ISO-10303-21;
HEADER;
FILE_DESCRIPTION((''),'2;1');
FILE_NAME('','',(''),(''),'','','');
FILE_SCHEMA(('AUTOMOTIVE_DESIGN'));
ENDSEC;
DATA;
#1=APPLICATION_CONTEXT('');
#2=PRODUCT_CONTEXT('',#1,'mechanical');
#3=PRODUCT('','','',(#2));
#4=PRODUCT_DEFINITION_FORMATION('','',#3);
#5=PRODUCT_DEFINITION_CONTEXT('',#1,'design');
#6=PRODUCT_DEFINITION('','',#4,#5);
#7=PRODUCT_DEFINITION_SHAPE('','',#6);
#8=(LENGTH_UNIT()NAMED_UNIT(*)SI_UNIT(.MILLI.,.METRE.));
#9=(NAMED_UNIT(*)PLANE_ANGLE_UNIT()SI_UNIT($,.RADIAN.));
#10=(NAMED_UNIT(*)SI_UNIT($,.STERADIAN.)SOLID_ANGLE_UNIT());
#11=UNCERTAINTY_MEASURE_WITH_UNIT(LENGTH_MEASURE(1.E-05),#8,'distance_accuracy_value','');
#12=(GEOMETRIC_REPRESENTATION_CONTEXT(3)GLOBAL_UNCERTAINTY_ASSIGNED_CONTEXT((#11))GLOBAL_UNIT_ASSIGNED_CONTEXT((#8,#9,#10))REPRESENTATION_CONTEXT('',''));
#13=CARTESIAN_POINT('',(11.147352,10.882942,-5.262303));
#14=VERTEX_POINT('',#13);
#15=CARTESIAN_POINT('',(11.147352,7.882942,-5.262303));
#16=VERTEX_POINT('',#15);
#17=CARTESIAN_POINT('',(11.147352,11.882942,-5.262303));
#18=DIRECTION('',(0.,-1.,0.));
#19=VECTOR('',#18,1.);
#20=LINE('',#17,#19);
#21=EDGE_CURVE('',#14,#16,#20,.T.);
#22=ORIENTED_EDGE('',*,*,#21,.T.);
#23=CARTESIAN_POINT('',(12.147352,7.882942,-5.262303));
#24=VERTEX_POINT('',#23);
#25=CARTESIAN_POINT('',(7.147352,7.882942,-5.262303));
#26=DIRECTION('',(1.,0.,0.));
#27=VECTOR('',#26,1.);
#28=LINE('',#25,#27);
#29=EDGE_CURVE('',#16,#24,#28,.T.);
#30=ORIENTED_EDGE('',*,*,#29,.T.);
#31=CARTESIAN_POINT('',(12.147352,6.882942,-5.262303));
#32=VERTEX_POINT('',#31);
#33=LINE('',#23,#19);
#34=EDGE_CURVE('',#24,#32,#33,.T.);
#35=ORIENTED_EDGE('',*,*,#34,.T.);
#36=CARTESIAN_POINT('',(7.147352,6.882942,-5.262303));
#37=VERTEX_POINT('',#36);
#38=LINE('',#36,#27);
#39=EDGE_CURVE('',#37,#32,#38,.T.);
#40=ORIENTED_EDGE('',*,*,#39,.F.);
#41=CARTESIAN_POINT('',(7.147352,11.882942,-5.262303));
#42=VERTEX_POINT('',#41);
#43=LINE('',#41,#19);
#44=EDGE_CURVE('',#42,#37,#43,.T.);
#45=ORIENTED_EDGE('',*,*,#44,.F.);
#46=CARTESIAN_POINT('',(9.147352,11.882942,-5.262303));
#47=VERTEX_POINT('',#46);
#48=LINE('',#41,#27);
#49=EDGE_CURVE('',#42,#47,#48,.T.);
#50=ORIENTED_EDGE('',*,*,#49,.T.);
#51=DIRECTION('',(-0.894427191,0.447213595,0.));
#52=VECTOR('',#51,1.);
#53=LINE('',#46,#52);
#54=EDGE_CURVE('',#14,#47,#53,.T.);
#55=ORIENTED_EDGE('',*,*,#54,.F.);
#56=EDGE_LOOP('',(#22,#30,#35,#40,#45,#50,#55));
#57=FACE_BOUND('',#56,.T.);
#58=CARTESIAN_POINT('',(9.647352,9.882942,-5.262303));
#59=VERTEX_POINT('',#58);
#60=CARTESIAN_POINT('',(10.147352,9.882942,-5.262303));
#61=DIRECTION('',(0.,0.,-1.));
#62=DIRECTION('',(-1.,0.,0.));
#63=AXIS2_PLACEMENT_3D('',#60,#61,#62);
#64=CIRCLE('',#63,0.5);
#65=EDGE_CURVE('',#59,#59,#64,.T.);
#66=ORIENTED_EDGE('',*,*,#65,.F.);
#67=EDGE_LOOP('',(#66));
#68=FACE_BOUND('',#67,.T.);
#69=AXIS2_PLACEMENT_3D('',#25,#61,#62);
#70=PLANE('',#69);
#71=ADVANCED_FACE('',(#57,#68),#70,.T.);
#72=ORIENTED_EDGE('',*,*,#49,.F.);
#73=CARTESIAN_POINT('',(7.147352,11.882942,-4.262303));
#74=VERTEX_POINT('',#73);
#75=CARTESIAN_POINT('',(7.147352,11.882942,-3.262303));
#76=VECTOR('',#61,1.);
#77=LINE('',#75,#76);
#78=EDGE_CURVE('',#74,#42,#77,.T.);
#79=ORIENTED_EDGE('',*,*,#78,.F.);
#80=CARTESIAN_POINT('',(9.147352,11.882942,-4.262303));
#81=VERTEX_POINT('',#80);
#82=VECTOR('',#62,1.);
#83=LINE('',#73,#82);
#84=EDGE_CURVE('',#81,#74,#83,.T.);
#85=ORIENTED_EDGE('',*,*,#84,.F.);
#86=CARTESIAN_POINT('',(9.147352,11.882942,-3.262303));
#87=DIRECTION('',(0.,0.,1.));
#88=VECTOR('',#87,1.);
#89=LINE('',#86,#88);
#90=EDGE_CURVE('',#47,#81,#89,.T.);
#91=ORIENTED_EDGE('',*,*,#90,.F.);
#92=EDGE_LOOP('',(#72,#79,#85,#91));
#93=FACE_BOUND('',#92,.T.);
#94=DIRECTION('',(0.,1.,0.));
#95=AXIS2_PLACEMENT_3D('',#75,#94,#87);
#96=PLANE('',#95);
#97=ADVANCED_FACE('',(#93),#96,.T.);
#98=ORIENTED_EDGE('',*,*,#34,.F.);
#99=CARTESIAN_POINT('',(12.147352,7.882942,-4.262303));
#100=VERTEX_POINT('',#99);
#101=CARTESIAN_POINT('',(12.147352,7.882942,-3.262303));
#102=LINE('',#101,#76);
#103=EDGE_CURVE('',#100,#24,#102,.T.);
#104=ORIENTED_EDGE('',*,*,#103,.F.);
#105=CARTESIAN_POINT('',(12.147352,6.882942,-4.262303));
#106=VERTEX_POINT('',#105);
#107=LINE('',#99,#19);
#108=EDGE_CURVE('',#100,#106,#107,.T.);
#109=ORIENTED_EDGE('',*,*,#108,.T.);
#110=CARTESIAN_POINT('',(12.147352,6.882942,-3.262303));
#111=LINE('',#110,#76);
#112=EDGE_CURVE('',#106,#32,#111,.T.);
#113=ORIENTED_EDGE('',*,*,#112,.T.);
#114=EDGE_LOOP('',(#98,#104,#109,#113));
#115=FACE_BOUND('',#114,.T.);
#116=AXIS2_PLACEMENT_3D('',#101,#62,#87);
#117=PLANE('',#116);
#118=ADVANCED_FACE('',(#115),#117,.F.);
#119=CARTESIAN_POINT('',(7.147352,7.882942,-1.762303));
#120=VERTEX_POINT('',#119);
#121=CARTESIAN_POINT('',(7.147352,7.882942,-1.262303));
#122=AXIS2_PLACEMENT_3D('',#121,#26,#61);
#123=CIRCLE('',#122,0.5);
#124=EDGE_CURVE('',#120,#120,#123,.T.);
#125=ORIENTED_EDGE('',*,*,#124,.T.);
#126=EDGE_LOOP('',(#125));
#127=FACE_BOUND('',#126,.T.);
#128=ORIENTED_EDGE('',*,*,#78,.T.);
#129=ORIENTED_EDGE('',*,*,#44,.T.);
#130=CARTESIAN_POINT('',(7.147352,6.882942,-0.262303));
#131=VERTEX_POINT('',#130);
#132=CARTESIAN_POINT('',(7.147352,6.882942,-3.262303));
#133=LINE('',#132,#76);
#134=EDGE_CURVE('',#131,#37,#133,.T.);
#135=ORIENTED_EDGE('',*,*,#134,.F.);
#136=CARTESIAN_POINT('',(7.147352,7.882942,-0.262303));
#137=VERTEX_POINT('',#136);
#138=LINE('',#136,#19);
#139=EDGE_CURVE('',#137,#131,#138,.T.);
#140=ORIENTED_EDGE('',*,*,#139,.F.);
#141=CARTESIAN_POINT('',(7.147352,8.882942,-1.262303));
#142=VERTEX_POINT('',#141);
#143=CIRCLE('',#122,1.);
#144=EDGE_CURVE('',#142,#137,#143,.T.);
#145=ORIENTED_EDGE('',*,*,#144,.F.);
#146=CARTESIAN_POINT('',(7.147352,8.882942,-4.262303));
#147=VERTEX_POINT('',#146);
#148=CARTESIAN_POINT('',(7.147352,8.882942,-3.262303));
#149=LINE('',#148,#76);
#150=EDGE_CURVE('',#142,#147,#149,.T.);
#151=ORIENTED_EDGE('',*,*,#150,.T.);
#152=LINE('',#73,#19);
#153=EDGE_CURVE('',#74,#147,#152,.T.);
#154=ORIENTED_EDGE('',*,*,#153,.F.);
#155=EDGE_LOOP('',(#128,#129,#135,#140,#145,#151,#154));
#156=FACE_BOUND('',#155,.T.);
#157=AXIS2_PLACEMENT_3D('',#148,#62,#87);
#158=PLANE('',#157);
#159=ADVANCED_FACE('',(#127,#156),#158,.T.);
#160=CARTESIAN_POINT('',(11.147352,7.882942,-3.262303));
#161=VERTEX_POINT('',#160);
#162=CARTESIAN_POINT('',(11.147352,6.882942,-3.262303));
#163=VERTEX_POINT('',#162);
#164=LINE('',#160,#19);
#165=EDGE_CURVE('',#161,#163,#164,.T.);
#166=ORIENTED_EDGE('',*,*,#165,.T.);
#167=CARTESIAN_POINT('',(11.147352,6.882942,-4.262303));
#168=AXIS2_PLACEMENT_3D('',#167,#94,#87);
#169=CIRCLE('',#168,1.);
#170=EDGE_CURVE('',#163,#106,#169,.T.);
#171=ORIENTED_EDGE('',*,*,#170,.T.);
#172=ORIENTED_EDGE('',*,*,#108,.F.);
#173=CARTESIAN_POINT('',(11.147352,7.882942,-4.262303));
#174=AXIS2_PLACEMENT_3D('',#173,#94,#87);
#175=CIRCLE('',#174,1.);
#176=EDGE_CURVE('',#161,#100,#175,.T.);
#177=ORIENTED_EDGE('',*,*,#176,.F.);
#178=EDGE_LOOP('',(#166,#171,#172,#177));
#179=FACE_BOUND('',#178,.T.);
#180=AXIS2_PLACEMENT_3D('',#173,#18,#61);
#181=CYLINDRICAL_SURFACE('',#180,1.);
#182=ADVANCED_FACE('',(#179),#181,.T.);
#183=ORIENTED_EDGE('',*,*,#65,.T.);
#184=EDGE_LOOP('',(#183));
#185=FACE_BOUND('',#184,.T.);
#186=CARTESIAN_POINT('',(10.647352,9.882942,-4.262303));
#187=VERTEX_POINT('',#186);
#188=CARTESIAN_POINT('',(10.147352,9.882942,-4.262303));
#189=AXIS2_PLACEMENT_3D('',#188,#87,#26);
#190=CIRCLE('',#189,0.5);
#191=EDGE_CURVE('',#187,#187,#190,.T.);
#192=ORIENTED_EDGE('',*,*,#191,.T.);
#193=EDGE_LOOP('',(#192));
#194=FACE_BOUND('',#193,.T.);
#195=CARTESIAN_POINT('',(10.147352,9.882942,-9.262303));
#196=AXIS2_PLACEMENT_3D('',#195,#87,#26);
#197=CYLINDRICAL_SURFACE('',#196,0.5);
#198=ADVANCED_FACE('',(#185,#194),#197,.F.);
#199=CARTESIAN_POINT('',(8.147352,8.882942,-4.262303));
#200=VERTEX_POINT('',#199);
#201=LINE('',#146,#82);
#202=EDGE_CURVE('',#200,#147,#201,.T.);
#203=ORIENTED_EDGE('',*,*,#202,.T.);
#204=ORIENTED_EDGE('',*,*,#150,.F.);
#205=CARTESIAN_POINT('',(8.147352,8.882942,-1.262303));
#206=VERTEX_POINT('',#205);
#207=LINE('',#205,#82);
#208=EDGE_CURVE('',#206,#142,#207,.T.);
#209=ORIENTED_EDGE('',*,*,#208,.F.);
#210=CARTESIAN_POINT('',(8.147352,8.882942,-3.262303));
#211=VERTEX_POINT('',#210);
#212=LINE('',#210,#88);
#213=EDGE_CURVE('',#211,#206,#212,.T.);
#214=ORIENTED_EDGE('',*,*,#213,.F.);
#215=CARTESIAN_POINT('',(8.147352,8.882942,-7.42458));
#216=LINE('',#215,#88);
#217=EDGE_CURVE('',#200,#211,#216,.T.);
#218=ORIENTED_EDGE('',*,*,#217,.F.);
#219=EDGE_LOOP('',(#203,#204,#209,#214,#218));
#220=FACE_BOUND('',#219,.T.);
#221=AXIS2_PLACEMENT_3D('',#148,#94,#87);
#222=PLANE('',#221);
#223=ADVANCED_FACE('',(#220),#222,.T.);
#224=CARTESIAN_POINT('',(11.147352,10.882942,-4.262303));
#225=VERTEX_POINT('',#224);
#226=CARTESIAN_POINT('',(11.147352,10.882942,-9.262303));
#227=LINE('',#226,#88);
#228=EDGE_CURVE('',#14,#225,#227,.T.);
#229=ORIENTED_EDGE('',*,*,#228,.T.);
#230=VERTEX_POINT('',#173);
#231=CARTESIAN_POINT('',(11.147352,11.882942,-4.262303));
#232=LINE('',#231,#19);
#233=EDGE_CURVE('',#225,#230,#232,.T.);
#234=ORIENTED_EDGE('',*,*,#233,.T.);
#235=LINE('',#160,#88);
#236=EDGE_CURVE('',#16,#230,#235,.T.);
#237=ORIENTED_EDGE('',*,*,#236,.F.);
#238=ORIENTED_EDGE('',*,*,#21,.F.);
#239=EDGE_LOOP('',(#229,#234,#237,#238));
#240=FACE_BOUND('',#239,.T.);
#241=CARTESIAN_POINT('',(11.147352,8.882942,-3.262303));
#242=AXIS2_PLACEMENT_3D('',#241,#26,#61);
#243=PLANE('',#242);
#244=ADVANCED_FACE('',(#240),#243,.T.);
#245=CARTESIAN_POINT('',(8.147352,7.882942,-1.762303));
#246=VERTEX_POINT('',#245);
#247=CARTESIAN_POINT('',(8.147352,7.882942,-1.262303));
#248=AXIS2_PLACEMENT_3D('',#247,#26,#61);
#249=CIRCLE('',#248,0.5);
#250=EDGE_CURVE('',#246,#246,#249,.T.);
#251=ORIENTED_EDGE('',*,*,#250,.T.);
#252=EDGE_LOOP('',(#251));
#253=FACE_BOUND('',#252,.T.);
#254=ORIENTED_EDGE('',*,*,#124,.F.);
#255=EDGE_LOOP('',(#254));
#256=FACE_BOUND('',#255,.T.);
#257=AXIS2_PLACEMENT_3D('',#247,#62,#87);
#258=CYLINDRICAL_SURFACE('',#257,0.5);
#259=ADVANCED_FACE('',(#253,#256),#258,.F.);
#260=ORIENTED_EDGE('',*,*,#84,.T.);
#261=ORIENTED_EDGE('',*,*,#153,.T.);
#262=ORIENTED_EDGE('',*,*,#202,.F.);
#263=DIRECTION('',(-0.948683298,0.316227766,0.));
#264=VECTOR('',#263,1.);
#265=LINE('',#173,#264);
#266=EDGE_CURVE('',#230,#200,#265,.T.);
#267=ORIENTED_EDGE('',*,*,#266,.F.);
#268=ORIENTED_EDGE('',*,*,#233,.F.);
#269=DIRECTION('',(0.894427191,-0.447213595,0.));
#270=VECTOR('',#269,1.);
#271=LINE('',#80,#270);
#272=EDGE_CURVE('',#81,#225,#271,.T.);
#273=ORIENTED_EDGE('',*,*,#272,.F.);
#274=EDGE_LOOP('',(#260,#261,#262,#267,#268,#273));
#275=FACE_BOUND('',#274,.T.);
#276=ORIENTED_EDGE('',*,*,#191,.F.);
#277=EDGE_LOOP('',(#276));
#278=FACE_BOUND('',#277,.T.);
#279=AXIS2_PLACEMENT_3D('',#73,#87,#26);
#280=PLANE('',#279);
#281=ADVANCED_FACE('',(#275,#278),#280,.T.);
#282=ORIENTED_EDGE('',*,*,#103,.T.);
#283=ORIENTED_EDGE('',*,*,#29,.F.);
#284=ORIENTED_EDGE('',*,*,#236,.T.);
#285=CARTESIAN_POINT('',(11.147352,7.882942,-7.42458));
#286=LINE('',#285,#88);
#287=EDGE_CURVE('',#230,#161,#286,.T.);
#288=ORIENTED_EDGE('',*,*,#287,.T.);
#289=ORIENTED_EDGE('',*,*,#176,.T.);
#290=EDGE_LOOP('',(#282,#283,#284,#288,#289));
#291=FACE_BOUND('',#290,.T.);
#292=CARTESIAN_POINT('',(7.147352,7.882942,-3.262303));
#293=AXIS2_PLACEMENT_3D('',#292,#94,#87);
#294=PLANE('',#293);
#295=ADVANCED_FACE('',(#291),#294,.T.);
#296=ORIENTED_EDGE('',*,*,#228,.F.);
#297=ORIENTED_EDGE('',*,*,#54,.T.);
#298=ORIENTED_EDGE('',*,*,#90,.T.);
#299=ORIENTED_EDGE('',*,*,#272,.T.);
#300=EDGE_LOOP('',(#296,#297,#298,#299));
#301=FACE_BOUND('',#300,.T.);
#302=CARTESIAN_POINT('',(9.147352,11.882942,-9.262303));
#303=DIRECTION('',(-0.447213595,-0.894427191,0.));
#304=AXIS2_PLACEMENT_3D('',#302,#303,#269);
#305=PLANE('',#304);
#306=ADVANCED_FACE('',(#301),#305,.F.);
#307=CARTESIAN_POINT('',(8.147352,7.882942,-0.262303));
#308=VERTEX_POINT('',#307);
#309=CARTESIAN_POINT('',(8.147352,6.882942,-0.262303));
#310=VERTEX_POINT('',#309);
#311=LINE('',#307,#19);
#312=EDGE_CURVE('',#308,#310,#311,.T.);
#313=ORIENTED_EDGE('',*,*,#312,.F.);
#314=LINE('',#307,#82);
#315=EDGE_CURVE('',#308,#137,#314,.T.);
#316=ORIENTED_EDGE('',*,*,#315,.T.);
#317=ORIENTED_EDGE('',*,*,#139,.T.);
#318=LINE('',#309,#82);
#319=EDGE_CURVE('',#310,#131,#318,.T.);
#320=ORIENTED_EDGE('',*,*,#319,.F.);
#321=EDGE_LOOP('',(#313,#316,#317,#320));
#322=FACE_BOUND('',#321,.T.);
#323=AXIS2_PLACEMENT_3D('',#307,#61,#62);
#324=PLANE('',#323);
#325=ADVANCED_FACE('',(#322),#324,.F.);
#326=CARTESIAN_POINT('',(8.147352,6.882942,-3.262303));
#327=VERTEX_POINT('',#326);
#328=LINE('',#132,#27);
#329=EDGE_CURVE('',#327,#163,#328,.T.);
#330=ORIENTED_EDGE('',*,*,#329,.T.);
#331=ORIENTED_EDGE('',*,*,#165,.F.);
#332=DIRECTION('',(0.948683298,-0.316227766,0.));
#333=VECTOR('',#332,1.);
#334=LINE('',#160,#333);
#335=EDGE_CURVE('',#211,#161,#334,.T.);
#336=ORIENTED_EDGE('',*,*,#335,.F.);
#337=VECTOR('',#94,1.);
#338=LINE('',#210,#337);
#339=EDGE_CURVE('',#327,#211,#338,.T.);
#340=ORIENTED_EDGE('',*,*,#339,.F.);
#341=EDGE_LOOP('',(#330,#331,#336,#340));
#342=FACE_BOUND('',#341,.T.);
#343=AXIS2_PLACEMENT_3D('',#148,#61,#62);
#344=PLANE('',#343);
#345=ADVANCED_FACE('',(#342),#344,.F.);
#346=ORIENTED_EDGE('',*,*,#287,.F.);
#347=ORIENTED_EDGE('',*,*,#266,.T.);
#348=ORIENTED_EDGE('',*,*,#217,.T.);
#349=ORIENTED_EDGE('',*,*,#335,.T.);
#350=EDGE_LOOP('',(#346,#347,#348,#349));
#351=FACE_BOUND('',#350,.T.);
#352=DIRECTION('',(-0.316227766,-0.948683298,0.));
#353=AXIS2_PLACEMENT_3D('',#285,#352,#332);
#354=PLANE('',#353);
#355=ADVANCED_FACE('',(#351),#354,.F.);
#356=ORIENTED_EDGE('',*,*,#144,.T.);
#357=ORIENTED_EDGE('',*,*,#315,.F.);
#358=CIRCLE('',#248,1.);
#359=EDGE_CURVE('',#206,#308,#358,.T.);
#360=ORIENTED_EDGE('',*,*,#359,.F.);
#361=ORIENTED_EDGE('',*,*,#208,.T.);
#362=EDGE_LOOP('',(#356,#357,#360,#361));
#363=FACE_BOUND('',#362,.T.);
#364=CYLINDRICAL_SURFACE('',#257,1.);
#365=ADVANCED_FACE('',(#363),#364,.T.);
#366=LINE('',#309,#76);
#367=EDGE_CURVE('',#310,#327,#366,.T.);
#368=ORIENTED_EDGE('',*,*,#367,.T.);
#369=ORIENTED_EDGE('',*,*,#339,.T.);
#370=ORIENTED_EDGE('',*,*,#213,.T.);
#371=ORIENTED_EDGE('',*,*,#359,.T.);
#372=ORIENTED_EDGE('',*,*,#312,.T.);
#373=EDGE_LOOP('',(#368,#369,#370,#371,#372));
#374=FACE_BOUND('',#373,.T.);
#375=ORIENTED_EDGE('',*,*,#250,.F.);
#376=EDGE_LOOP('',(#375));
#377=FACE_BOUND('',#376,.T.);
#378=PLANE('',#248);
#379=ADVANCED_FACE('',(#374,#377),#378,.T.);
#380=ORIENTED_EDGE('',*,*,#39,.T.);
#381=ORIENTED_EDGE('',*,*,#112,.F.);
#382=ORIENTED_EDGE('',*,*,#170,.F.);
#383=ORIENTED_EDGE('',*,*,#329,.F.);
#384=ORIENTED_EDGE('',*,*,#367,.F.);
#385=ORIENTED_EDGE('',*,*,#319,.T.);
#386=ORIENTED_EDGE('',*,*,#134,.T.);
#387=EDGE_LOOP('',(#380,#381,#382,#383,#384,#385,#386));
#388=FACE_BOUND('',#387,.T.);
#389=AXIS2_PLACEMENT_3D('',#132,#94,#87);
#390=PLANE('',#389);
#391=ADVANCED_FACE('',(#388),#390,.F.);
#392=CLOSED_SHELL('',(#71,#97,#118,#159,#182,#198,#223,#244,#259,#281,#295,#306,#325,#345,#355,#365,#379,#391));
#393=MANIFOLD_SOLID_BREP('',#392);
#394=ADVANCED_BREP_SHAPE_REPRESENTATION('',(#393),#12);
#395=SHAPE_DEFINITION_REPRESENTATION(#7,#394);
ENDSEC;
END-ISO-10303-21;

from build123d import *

# Parameters (mm, degrees)
EXTRUDE_1_DEPTH     = 5
SKETCH_1_3_W        = 20
SKETCH_1_3_H        = 5
EXTRUDE_2_DEPTH     = 10
SKETCH_1_4_W        = 20
SKETCH_1_4_H        = 5
EXTRUDE_3_DEPTH     = 25
SKETCH_2_R          = 2.5
CUT_EXTRUDE_1_DEPTH = 25
CUT_EXTRUDE_2_DEPTH = 5
SKETCH_4_R          = 2.5
EXTRUDE_4_DEPTH     = 5
SCALE_1_SCALE       = 0.2


with BuildPart() as part:
    # 草圖1 → 填料-伸長1 (new body)
    with BuildSketch(Plane(origin=(0, 0, 0), x_dir=(1, 0, 0), z_dir=(0, 1, 0))):
        with BuildLine():
            Line((20, 10), (20, 5))
            Line((20, 5), (20, 0))
            ThreePointArc((20, 0), (23.535533906, 1.464466094), (25, 5))
            Line((25, 5), (25, 10))
            Line((25, 10), (20, 10))
        make_face()
    extrude(amount=EXTRUDE_1_DEPTH)

    # 草圖1<3> → 填料-伸長2 (add)
    with BuildSketch(Plane(origin=(0, 0, 0), x_dir=(1, 0, 0), z_dir=(0, 1, 0))):
        with Locations((10, 2.5)):
            Rectangle(SKETCH_1_3_W, SKETCH_1_3_H)
    extrude(amount=EXTRUDE_2_DEPTH)

    # 草圖1<4> → 填料-伸長3 (add)
    with BuildSketch(Plane(origin=(0, 0, 0), x_dir=(1, 0, 0), z_dir=(0, 1, 0))):
        with Locations((10, 7.5)):
            Rectangle(SKETCH_1_4_W, SKETCH_1_4_H)
    extrude(amount=EXTRUDE_3_DEPTH)

    # 草圖2 → 除料-伸長1 (cut)
    with BuildSketch(Plane.XY.offset(-5)):
        with Locations((15, 15)):
            Circle(SKETCH_2_R)
        Polygon((10, 25), (20, 20), (20, 25), align=None)
    extrude(amount=-CUT_EXTRUDE_1_DEPTH, mode=Mode.SUBTRACT)

    # 草圖3 → 除料-伸長2 (cut)
    with BuildSketch(Plane.XY):
        Polygon((20, 5), (5, 10), (20, 10), align=None)
    extrude(amount=-CUT_EXTRUDE_2_DEPTH, mode=Mode.SUBTRACT)

    # 草圖4 → 填料-伸長4 (add)
    with BuildSketch(Plane(origin=(0, 0, 0), x_dir=(0, 0, -1), z_dir=(1, 0, 0))):
        with BuildLine():
            Line((0, 10), (-10, 10))
            ThreePointArc((-10, 10), (-13.535533906, 8.535533906), (-15, 5))
            Line((-15, 5), (-15, 0))
            Line((-15, 0), (0, 0))
            Line((0, 0), (0, 10))
        make_face()
        with Locations((-10, 5)):
            Circle(SKETCH_4_R, mode=Mode.SUBTRACT)
    extrude(amount=EXTRUDE_4_DEPTH)


with BuildPart() as part_1:
    # 縮放比例1: scaled about (8.934190185, 8.603677977, -4.077878453)
    add(part.part.scale(SCALE_1_SCALE).moved(Location((7.147352148, 6.882942382, -3.262302762))))


solid = part_1.part
